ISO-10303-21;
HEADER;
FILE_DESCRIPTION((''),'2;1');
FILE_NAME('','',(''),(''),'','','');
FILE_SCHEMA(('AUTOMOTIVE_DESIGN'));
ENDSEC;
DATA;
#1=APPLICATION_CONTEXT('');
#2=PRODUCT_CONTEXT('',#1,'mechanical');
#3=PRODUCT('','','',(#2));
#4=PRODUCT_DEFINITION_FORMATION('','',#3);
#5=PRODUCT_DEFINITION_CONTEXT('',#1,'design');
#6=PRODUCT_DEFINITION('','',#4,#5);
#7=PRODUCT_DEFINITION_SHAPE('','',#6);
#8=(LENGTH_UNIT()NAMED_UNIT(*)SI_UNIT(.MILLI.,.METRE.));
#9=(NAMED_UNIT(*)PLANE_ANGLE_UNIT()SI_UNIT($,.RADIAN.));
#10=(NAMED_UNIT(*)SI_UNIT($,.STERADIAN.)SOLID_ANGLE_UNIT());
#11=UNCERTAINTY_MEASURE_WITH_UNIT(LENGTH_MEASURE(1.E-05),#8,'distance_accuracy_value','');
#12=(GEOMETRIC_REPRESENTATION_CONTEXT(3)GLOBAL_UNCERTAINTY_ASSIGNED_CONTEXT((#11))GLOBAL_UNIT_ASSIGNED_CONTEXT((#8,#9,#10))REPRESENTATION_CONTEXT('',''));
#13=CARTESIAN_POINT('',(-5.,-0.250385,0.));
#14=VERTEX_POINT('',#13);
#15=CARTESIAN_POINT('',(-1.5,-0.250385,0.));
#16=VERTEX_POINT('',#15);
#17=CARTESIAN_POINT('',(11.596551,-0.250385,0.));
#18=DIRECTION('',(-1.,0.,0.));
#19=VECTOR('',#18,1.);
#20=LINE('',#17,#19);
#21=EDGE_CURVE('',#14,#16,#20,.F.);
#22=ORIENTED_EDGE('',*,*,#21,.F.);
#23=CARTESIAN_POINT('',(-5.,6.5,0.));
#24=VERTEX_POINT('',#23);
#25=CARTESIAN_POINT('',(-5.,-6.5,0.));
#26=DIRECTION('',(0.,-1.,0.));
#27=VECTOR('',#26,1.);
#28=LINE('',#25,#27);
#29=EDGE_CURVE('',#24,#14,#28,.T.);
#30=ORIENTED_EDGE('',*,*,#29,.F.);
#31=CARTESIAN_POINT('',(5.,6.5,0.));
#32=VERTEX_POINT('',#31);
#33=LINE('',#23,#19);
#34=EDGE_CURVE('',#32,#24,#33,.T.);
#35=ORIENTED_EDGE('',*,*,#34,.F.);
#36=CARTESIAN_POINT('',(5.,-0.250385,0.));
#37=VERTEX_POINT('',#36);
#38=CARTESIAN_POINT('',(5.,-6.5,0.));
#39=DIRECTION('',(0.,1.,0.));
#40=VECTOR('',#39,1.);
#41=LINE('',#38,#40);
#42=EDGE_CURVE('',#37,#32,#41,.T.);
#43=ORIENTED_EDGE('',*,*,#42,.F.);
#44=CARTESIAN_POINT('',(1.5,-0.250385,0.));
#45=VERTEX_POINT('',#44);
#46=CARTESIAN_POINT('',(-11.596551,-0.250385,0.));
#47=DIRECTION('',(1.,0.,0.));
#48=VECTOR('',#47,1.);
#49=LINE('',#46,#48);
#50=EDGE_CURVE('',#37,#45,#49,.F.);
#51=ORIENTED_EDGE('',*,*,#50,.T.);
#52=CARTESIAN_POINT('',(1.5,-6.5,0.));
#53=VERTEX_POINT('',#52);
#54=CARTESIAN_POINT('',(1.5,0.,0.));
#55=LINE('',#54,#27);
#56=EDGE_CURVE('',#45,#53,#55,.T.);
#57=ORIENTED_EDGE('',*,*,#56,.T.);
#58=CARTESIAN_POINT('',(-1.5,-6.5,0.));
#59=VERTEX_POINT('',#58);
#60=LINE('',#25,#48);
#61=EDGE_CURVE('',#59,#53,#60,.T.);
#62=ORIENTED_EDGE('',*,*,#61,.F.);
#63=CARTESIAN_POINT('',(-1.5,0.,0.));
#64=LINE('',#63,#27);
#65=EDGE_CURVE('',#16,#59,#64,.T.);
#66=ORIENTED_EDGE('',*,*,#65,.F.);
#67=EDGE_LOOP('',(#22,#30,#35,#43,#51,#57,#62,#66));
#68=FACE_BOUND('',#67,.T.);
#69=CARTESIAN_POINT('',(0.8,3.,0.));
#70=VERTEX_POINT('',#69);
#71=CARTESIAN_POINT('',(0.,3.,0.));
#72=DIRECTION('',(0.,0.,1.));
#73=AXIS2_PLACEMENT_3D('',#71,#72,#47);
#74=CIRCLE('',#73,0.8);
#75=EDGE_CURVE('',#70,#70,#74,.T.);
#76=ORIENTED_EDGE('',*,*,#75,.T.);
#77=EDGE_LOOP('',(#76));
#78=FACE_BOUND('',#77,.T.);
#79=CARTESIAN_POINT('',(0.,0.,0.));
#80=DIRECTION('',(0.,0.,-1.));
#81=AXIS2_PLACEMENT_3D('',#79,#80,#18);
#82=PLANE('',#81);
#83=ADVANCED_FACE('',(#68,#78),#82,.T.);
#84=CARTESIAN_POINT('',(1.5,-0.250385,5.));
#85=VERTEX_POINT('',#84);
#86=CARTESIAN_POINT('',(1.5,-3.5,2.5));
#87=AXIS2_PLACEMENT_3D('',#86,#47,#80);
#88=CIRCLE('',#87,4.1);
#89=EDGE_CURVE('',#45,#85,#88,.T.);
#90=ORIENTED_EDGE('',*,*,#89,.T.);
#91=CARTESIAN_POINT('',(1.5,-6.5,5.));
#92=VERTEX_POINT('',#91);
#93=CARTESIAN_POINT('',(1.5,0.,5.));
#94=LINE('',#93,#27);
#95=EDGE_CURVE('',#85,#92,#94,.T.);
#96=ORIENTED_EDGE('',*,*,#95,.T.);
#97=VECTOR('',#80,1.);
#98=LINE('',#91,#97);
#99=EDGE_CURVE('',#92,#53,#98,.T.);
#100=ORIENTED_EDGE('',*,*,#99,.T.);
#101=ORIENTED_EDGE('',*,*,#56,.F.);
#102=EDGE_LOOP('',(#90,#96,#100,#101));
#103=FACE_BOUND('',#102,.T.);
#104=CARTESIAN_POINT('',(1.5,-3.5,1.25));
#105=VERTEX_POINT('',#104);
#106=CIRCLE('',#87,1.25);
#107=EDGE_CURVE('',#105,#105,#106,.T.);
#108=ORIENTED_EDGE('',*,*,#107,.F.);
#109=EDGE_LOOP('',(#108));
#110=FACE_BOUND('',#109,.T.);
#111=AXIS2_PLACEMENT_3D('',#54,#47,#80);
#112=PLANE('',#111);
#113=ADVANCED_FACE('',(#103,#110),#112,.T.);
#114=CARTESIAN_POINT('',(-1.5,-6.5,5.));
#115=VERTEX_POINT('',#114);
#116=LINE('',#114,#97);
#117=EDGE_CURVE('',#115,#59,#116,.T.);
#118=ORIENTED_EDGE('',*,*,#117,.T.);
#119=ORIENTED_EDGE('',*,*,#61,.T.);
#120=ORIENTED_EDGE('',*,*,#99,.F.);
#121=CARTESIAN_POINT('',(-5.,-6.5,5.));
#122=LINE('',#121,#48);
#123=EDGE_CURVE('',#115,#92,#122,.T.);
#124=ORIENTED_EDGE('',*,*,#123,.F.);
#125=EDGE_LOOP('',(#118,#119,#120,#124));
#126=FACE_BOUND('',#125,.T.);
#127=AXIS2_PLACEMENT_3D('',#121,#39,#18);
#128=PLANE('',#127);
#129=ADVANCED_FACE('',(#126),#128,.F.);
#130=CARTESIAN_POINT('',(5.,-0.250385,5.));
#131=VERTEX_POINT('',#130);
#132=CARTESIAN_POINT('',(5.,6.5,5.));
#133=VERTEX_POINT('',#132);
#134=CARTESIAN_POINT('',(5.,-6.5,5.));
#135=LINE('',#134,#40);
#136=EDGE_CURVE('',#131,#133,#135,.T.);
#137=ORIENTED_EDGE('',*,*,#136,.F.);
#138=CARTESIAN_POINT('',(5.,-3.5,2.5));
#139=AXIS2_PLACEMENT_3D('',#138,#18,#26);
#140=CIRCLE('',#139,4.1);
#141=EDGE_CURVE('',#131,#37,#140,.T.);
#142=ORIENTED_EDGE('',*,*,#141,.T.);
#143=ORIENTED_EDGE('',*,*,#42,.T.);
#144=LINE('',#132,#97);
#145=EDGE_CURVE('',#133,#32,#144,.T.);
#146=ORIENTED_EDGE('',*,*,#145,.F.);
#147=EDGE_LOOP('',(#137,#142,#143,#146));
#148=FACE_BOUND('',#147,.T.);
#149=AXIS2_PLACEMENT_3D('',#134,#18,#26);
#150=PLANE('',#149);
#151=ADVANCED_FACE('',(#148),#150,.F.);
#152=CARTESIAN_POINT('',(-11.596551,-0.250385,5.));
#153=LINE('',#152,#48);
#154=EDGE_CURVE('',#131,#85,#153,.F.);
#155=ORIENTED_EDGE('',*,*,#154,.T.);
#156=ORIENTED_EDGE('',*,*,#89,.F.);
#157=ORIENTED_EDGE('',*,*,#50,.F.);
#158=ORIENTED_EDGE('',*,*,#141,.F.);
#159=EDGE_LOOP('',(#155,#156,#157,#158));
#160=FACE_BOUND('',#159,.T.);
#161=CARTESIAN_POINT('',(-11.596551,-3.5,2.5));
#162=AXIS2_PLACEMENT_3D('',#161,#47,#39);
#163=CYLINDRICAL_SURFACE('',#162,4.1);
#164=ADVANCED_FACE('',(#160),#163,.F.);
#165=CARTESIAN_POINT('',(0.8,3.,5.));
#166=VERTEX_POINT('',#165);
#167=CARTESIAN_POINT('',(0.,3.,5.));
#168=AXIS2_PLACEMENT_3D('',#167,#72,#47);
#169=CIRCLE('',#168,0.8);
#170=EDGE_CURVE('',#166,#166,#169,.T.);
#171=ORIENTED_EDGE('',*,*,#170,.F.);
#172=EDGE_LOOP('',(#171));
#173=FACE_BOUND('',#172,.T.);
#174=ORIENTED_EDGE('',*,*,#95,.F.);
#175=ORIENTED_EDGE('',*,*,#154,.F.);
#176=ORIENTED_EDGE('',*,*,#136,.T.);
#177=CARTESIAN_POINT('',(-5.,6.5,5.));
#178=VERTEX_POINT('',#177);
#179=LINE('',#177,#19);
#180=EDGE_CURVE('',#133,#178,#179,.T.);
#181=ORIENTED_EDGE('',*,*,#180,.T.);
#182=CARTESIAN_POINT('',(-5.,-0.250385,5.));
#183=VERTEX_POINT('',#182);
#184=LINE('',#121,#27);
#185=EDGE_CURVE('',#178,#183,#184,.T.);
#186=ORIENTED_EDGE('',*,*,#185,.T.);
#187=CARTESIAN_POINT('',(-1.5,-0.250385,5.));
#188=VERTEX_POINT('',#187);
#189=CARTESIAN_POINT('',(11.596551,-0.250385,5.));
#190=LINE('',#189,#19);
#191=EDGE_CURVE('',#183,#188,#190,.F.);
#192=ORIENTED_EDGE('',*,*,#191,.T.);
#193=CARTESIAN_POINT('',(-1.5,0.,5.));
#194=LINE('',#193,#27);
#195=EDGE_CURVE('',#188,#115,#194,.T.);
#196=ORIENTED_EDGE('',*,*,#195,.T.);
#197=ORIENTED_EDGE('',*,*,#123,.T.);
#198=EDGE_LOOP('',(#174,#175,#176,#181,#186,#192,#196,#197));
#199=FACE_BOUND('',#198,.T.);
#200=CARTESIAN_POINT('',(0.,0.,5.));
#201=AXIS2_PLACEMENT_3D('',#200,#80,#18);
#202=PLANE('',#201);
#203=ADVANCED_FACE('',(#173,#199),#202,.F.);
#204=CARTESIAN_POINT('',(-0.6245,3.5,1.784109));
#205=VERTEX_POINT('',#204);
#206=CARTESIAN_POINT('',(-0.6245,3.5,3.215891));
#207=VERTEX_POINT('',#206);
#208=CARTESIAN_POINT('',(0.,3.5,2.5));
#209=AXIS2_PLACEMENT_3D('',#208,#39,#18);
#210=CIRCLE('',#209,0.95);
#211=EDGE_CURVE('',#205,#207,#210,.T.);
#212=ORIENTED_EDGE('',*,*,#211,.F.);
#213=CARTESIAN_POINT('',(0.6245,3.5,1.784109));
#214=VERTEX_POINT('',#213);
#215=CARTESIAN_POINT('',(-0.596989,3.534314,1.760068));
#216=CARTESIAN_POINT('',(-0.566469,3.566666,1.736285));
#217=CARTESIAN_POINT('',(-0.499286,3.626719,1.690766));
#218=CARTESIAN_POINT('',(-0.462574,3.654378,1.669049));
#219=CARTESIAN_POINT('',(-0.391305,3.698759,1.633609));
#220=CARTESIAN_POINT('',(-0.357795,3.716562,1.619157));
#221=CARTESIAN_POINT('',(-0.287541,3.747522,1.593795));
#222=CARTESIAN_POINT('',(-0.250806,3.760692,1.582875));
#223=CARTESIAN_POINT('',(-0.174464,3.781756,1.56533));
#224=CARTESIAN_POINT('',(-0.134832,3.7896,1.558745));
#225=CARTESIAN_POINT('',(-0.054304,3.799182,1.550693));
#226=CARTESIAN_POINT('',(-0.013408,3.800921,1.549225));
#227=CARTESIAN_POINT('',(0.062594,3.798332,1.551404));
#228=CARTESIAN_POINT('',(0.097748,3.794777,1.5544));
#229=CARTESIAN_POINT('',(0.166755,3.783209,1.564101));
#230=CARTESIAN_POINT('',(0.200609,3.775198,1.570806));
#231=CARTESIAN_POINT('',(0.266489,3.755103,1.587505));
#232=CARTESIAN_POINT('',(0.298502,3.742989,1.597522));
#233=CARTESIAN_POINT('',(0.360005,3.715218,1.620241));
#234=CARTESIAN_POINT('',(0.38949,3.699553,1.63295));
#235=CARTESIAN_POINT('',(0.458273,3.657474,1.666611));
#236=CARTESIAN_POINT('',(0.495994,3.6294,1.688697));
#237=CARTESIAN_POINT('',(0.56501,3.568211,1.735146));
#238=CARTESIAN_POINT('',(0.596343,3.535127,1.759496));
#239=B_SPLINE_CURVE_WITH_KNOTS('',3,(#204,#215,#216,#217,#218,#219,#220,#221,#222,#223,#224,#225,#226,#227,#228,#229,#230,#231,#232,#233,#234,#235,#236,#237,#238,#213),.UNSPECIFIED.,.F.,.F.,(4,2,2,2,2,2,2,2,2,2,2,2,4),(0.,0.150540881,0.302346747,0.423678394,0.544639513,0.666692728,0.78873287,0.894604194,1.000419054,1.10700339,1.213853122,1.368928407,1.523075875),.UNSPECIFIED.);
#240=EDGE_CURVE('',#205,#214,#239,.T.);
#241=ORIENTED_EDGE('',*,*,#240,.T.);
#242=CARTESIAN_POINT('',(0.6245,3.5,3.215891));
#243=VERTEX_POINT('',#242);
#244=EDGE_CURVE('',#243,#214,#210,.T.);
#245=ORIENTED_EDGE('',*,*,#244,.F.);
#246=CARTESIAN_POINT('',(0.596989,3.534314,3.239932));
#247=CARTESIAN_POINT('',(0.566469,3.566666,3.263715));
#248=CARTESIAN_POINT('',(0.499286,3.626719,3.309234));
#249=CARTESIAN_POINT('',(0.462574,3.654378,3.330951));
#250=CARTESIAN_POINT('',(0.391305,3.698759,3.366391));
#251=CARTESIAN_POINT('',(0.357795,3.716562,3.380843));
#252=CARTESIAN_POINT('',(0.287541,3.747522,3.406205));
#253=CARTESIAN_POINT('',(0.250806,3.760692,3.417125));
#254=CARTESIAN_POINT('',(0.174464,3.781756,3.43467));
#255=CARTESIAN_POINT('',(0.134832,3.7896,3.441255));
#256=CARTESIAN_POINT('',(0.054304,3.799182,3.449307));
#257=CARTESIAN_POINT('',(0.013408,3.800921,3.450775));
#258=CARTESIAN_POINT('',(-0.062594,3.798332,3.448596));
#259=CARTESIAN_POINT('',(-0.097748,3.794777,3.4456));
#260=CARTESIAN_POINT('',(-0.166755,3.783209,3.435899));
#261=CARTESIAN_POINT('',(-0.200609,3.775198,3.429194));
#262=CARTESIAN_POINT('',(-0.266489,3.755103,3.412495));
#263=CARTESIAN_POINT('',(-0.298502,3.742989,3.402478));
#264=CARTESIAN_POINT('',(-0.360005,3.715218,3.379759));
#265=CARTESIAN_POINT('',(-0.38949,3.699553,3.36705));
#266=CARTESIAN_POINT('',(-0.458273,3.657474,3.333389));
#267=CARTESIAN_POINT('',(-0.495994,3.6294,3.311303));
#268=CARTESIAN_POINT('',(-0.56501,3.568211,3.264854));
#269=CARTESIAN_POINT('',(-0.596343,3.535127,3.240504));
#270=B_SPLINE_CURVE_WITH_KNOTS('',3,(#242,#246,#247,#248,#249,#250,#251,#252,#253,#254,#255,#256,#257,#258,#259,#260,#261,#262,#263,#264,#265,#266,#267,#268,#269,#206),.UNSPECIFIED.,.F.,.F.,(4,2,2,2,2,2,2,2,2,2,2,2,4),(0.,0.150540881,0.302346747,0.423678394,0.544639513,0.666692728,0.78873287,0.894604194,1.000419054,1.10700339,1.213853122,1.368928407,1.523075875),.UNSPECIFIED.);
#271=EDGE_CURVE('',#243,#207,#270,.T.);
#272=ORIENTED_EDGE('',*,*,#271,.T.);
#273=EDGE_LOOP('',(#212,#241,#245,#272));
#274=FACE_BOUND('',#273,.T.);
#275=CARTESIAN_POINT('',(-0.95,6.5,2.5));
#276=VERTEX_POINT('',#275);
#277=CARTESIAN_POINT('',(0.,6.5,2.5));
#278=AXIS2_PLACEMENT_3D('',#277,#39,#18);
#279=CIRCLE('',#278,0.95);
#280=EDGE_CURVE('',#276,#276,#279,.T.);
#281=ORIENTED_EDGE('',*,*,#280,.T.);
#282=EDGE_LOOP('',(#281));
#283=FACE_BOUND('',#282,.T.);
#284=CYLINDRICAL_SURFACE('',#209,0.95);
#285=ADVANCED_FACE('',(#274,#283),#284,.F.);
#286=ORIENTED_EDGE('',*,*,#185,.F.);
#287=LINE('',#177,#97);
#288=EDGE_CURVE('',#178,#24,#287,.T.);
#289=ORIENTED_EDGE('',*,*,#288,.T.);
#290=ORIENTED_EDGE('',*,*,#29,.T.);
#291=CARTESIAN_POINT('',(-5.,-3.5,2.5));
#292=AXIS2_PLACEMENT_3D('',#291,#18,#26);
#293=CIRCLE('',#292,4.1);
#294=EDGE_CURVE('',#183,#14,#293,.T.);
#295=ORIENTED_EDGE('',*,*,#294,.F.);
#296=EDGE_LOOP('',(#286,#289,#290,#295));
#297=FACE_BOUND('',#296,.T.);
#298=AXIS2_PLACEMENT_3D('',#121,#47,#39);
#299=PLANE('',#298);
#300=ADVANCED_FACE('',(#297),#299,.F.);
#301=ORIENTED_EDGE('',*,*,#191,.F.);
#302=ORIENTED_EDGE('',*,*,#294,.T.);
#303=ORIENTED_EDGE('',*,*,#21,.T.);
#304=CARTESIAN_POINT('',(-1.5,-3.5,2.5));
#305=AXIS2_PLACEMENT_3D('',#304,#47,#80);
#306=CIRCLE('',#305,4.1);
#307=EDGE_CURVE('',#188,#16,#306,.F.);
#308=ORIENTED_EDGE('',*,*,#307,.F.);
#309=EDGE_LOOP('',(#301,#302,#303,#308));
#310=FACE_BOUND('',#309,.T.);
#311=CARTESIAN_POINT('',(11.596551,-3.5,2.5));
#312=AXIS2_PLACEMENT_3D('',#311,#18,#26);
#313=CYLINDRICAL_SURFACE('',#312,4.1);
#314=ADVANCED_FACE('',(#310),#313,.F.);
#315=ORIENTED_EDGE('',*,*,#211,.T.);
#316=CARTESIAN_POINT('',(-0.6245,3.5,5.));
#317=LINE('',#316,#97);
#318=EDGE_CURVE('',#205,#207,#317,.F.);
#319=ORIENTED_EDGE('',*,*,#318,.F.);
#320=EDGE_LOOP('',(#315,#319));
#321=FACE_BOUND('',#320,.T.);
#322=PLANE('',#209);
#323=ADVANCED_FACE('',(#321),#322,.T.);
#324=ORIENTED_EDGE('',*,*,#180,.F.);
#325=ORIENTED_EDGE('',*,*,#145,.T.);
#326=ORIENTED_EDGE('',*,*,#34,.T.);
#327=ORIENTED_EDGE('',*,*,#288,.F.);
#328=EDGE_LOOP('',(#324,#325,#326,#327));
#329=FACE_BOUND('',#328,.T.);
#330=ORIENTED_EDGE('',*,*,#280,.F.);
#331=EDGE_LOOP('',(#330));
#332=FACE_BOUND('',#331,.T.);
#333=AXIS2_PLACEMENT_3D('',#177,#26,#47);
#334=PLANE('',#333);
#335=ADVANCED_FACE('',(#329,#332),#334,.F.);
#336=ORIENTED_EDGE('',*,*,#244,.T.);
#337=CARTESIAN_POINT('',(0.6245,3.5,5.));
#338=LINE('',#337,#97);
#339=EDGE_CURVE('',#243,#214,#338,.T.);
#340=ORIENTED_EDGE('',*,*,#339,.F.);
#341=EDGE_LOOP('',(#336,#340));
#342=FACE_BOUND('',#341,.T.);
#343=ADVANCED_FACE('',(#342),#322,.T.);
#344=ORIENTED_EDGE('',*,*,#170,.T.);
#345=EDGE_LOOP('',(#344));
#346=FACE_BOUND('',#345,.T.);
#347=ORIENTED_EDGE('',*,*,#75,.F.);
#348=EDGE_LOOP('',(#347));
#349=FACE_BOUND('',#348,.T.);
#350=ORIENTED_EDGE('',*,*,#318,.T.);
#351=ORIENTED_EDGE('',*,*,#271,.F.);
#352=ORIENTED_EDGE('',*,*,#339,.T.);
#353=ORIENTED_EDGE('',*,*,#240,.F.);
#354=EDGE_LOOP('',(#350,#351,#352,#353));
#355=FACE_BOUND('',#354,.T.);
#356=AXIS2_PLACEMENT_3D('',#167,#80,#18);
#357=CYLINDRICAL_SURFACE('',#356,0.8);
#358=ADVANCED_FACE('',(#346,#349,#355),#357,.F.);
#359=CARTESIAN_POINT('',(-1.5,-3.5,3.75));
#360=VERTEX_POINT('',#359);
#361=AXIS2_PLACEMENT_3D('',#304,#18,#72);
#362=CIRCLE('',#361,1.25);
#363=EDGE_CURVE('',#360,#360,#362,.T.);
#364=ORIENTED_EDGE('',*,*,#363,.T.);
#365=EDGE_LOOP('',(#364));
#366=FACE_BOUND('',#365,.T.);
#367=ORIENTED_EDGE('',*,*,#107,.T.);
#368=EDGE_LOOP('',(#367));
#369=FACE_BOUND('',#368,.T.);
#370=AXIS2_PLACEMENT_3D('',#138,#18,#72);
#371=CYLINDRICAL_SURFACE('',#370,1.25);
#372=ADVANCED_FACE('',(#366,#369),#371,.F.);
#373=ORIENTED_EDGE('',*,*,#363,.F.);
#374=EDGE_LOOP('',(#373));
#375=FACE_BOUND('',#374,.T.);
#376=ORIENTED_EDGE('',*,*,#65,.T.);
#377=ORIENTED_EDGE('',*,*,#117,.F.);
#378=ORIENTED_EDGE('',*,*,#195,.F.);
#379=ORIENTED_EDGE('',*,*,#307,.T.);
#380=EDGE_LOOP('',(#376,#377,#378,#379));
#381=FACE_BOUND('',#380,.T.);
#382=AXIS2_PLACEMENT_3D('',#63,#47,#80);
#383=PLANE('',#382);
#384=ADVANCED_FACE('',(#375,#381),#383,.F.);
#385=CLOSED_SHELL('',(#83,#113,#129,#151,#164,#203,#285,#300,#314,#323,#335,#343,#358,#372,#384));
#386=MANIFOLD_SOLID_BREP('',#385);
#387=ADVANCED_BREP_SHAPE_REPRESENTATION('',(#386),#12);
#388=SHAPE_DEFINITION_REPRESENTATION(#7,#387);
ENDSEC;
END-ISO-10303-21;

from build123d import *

# Parameters (mm, degrees)
SKETCH1_W           = 10
SKETCH1_H           = 13
SKETCH1_R           = 0.8
BOSS_EXTRUDE1_DEPTH = 5
CUT_EXTRUDE2_DEPTH  = 3.5
SKETCH4_R           = 1.25
CUT_EXTRUDE3_DEPTH  = 7.5
SKETCH5_R           = 0.95
CUT_EXTRUDE4_DEPTH  = 3


with BuildPart() as part:
    # Sketch1 → Boss-Extrude1 (new body)
    with BuildSketch(Plane.XY):
        Rectangle(SKETCH1_W, SKETCH1_H)
        with Locations((0, 3)):
            Circle(SKETCH1_R, mode=Mode.SUBTRACT)
    extrude(amount=BOSS_EXTRUDE1_DEPTH)

    # Sketch3 → Cut-Extrude2 (cut)
    with BuildSketch(Plane.ZY.offset(5)):
        with BuildLine():
            Line((-1.6, -3.5), (-1.6, -7.6))
            Line((-1.6, -7.6), (6.6, -7.6))
            Line((6.6, -7.6), (6.6, -3.5))
            ThreePointArc((6.6, -3.5), (2.5, 0.6), (-1.6, -3.5))
        make_face()
    cut_extrude2 = extrude(amount=-CUT_EXTRUDE2_DEPTH, mode=Mode.SUBTRACT)

    # Mirror1: Cut-Extrude2 across plane
    add(cut_extrude2.mirror(Plane(origin=(0, 0, 0), x_dir=(0, 0, 1), z_dir=(1, 0, 0))), mode=Mode.SUBTRACT)

    # Sketch4 → Cut-Extrude3 (cut, through all)
    with BuildSketch(Plane.ZY.offset(1.5)):
        with Locations((2.5, -3.5)):
            Circle(SKETCH4_R)
    extrude(amount=-CUT_EXTRUDE3_DEPTH, mode=Mode.SUBTRACT)

    # Sketch5 → Cut-Extrude4 (cut)
    with BuildSketch(Plane(origin=(0, 6.5, 0), x_dir=(1, 0, 0), z_dir=(0, 1, 0))):
        with Locations((0, -2.5)):
            Circle(SKETCH5_R)
    extrude(amount=-CUT_EXTRUDE4_DEPTH, mode=Mode.SUBTRACT)


solid = part.part
